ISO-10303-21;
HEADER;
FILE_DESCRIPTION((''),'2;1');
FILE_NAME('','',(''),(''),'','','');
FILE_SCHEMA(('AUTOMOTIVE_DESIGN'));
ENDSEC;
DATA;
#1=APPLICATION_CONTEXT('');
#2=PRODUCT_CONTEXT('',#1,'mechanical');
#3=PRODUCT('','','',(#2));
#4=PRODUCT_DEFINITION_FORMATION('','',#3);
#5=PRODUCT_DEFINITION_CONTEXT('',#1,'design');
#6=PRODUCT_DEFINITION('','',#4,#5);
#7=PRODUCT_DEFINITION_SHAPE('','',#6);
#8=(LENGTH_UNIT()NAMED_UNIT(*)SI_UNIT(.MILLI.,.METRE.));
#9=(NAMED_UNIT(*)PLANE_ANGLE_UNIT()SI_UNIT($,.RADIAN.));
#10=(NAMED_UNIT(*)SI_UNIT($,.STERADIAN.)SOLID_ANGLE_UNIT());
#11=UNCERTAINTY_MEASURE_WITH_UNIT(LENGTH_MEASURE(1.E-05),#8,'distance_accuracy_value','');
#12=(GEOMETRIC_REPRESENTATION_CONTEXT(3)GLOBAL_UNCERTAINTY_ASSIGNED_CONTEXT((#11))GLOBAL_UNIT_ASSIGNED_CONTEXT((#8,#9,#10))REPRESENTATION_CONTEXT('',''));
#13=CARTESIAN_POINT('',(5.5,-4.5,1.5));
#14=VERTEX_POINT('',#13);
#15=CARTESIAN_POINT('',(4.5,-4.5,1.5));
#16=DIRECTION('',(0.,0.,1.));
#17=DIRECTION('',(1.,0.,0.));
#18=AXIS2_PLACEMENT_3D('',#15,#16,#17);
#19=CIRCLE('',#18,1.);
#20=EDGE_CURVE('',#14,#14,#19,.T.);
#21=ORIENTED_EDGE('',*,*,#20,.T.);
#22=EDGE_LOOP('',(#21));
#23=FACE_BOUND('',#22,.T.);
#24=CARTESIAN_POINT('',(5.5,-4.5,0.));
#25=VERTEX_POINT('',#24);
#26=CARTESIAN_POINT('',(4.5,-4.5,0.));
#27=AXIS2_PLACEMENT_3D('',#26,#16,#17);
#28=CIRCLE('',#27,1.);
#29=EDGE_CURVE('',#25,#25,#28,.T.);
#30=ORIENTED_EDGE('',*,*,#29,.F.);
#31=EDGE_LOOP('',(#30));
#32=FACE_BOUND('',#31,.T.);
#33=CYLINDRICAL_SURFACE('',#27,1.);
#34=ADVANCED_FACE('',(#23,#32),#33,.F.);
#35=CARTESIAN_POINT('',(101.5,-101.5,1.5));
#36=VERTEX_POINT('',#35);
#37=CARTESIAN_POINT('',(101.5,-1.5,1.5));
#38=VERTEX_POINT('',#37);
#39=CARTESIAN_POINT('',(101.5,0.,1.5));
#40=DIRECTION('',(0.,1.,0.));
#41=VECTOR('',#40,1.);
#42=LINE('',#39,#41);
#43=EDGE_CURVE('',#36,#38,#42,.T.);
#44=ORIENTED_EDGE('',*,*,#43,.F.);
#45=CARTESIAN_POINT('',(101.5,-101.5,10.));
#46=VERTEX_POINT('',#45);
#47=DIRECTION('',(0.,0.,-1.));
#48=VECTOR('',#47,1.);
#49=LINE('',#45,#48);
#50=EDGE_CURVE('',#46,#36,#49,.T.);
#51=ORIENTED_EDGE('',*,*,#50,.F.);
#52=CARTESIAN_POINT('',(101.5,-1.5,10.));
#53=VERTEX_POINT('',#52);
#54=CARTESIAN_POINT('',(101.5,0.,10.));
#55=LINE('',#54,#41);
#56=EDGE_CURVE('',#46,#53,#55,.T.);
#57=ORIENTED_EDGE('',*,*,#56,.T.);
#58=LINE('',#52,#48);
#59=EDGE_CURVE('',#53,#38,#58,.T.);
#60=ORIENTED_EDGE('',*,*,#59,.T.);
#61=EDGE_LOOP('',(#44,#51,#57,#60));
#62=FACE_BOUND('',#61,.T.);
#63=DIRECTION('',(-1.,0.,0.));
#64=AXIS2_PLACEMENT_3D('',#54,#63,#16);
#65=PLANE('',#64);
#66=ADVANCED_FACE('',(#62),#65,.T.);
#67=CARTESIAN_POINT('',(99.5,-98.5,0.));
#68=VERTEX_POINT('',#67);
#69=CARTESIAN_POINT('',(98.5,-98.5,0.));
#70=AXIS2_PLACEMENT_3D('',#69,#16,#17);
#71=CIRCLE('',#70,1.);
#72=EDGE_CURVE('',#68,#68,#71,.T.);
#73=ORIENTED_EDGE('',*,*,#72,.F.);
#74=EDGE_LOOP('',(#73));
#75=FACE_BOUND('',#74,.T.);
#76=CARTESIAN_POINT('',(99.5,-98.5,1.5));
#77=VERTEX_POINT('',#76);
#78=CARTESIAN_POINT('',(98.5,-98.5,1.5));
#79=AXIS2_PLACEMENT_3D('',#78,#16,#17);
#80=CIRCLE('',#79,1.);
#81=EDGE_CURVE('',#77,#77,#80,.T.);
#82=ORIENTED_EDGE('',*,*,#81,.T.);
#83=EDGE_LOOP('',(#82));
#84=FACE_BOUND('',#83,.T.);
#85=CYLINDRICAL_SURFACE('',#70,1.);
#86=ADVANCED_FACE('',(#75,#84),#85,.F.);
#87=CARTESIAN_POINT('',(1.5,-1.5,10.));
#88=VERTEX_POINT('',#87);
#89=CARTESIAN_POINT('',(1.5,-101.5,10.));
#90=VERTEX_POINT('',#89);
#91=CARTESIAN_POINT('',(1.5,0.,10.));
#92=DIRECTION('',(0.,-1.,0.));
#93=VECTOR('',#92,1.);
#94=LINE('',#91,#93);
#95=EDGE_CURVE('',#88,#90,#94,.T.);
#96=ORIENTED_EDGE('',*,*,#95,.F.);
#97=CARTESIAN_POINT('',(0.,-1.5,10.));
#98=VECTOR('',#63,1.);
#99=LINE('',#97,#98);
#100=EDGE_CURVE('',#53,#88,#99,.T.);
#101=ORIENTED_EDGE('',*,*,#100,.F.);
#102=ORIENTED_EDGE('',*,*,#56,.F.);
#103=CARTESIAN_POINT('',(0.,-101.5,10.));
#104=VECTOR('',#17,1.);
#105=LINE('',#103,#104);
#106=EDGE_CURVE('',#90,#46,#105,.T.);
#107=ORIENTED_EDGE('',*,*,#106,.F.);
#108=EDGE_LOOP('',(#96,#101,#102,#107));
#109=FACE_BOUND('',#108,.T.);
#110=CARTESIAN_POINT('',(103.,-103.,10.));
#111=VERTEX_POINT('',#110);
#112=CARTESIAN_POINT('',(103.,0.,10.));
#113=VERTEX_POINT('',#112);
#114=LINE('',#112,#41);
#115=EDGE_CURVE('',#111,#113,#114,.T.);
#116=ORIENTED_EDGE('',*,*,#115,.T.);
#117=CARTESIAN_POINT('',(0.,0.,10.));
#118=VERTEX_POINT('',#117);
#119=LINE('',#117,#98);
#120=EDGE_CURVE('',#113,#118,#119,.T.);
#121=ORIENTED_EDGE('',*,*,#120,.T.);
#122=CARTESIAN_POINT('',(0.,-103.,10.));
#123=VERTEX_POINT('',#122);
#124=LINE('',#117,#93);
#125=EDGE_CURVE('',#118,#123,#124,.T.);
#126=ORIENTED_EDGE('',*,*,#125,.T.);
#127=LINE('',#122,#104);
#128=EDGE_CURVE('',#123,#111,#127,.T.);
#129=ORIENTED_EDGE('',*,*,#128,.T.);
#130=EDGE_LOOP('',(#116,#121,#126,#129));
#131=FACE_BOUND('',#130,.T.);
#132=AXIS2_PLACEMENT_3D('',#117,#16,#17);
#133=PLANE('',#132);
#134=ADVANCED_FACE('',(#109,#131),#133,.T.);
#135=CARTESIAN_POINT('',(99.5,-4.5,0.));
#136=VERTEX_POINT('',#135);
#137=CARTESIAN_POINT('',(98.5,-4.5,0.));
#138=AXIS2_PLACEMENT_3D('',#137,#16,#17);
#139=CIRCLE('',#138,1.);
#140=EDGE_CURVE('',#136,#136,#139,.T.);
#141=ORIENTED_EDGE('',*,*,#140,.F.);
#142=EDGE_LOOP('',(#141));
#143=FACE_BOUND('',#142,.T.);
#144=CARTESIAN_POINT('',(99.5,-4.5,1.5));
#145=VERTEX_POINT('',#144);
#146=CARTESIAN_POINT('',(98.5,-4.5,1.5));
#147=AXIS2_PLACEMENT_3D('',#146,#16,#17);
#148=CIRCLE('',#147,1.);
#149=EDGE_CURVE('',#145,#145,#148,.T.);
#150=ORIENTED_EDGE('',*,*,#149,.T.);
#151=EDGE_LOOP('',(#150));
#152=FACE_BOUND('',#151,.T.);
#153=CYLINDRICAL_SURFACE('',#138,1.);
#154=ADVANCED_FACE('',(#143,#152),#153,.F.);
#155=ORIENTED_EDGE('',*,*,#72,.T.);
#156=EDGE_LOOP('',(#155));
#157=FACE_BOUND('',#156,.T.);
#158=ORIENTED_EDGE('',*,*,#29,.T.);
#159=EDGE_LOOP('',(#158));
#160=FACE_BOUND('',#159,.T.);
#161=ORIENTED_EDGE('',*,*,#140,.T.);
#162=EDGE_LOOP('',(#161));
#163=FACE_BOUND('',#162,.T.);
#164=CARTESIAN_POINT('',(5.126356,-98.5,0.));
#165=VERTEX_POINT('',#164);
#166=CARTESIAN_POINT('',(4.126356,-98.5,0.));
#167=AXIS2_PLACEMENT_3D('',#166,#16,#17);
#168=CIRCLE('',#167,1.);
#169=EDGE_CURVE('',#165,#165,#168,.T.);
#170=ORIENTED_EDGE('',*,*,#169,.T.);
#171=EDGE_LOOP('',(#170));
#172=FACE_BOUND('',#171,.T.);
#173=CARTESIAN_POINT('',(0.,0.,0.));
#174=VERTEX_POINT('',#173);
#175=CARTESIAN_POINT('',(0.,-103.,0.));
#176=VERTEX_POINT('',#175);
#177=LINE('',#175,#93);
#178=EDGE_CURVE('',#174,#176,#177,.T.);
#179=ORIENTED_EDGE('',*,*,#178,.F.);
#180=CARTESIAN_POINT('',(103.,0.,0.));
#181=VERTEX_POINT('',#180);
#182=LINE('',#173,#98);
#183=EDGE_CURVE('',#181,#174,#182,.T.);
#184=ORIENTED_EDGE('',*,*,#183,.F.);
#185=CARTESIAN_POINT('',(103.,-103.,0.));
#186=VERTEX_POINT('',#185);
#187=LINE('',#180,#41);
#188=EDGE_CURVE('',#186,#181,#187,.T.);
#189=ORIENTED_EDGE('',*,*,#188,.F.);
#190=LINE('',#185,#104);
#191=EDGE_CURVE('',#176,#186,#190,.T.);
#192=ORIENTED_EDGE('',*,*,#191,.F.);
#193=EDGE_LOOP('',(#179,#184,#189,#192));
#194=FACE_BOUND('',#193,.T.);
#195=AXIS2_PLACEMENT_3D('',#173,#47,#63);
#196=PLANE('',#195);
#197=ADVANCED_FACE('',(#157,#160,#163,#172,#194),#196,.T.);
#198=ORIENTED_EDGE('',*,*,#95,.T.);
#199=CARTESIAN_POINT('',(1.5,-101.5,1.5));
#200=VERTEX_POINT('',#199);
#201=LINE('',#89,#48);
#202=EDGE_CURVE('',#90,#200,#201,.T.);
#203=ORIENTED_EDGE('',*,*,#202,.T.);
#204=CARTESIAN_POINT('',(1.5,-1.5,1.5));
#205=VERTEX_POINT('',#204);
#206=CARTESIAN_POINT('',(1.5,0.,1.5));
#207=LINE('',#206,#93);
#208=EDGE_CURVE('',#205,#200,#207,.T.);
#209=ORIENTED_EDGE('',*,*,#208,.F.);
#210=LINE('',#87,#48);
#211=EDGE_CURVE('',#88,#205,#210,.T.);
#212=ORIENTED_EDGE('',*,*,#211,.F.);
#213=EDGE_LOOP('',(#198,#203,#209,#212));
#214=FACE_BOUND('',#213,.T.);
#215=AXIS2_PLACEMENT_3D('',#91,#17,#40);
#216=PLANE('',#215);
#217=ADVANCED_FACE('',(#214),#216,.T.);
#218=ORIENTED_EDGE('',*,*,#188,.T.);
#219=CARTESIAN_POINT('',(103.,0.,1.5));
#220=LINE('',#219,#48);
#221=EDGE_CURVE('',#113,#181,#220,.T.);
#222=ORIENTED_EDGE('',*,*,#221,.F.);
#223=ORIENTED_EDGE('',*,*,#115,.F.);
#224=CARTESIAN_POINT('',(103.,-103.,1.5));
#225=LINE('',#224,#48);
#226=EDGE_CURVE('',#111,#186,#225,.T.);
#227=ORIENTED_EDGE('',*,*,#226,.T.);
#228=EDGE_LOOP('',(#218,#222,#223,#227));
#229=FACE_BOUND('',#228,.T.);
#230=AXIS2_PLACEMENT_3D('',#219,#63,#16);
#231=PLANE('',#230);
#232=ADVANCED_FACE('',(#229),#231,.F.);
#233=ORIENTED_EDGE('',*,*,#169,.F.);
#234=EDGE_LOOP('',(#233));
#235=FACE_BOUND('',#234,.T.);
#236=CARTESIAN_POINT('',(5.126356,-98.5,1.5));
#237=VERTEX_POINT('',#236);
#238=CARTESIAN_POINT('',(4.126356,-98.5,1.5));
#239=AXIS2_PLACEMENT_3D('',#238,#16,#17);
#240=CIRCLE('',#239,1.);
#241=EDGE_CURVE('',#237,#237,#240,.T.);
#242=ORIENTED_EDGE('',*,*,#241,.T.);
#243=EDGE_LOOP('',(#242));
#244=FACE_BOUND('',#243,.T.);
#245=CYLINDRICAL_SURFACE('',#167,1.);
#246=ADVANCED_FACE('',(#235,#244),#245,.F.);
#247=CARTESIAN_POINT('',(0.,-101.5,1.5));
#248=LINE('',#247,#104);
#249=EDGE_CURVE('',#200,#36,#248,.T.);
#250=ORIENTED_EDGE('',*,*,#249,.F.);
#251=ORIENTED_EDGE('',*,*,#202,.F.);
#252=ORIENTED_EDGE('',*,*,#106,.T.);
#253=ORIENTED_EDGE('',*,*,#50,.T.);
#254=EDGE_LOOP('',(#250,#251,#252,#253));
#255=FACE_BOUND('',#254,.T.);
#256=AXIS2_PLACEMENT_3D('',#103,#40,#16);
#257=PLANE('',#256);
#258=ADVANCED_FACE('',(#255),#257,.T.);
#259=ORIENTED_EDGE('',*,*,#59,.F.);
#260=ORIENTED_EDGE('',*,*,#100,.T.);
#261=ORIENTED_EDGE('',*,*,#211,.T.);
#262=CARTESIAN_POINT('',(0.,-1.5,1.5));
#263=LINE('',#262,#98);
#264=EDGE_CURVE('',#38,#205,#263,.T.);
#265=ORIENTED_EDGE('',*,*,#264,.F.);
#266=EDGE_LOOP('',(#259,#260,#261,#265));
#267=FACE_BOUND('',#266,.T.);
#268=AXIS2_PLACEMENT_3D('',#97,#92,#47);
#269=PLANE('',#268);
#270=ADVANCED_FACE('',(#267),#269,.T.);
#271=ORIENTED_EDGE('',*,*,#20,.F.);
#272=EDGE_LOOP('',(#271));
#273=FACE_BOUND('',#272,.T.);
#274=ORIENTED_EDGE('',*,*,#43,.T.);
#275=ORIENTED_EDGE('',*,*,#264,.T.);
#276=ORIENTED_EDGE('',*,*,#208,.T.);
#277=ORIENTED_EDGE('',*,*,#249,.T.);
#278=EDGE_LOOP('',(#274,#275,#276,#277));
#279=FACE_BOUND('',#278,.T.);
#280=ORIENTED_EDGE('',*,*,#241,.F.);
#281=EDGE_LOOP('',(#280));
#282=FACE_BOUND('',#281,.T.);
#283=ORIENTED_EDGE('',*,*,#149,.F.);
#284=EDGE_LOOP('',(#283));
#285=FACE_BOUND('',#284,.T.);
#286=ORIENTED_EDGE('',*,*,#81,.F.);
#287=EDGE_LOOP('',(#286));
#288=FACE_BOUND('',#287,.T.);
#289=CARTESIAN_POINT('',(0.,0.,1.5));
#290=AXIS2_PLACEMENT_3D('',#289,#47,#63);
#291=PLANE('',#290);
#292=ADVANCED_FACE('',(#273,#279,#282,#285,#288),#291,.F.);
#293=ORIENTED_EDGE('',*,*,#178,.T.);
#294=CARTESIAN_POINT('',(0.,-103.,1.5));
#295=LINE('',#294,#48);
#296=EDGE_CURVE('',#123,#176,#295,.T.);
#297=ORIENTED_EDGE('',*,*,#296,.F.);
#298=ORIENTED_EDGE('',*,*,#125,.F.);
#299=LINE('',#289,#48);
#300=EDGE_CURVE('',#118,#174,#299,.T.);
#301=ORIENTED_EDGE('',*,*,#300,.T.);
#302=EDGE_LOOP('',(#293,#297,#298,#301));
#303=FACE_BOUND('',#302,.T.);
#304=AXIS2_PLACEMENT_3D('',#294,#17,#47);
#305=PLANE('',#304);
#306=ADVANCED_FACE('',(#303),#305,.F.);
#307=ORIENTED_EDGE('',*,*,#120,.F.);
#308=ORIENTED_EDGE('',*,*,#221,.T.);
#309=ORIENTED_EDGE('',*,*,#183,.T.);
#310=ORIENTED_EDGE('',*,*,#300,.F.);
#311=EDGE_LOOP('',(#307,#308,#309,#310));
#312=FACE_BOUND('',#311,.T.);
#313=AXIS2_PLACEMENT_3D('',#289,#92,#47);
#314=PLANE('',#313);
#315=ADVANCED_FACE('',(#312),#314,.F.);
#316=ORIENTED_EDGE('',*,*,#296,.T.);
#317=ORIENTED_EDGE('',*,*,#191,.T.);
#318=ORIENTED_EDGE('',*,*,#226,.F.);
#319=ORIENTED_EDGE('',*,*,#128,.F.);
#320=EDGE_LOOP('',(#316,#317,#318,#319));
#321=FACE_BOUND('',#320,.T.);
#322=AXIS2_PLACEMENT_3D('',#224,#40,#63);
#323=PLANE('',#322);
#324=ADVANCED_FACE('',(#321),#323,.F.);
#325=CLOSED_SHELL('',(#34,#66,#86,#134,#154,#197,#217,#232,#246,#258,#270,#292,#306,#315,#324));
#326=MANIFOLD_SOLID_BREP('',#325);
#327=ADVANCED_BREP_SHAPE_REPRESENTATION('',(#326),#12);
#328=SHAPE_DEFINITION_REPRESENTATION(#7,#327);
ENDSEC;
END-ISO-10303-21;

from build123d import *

# Parameters (mm, degrees)
SKETCH_1_W          = 103
SKETCH_1_H          = 103
EXTRUDE_1_DEPTH     = 1.5
SKETCH_3_W          = 103
SKETCH_3_H          = 103
SKETCH_3_W_2        = 100
SKETCH_3_H_2        = 100
EXTRUDE_2_DEPTH     = 8.5
SKETCH_4_R          = 1
CUT_EXTRUDE_1_DEPTH = 1.5


with BuildPart() as part:
    # 草图1 → 凸台-拉伸1 (new body)
    with BuildSketch(Plane.XY):
        with Locations((51.5, -51.5)):
            Rectangle(SKETCH_1_W, SKETCH_1_H)
    extrude(amount=EXTRUDE_1_DEPTH)

    # 草图3 → 凸台-拉伸2 (add)
    with BuildSketch(Plane.XY.offset(1.5)):
        with Locations((51.5, -51.5)):
            Rectangle(SKETCH_3_W, SKETCH_3_H)
        with Locations((51.5, -51.5)):
            Rectangle(SKETCH_3_W_2, SKETCH_3_H_2, mode=Mode.SUBTRACT)
    extrude(amount=EXTRUDE_2_DEPTH)

    # 草图4 → 切除-拉伸1 (cut)
    with BuildSketch(Plane.XY.offset(1.5)):
        with Locations((4.126355777, -98.5)):
            Circle(SKETCH_4_R)
        with Locations((98.5, -98.5)):
            Circle(SKETCH_4_R)
        with Locations((98.5, -4.5)):
            Circle(SKETCH_4_R)
        with Locations((4.5, -4.5)):
            Circle(SKETCH_4_R)
    extrude(amount=-CUT_EXTRUDE_1_DEPTH, mode=Mode.SUBTRACT)


solid = part.part
